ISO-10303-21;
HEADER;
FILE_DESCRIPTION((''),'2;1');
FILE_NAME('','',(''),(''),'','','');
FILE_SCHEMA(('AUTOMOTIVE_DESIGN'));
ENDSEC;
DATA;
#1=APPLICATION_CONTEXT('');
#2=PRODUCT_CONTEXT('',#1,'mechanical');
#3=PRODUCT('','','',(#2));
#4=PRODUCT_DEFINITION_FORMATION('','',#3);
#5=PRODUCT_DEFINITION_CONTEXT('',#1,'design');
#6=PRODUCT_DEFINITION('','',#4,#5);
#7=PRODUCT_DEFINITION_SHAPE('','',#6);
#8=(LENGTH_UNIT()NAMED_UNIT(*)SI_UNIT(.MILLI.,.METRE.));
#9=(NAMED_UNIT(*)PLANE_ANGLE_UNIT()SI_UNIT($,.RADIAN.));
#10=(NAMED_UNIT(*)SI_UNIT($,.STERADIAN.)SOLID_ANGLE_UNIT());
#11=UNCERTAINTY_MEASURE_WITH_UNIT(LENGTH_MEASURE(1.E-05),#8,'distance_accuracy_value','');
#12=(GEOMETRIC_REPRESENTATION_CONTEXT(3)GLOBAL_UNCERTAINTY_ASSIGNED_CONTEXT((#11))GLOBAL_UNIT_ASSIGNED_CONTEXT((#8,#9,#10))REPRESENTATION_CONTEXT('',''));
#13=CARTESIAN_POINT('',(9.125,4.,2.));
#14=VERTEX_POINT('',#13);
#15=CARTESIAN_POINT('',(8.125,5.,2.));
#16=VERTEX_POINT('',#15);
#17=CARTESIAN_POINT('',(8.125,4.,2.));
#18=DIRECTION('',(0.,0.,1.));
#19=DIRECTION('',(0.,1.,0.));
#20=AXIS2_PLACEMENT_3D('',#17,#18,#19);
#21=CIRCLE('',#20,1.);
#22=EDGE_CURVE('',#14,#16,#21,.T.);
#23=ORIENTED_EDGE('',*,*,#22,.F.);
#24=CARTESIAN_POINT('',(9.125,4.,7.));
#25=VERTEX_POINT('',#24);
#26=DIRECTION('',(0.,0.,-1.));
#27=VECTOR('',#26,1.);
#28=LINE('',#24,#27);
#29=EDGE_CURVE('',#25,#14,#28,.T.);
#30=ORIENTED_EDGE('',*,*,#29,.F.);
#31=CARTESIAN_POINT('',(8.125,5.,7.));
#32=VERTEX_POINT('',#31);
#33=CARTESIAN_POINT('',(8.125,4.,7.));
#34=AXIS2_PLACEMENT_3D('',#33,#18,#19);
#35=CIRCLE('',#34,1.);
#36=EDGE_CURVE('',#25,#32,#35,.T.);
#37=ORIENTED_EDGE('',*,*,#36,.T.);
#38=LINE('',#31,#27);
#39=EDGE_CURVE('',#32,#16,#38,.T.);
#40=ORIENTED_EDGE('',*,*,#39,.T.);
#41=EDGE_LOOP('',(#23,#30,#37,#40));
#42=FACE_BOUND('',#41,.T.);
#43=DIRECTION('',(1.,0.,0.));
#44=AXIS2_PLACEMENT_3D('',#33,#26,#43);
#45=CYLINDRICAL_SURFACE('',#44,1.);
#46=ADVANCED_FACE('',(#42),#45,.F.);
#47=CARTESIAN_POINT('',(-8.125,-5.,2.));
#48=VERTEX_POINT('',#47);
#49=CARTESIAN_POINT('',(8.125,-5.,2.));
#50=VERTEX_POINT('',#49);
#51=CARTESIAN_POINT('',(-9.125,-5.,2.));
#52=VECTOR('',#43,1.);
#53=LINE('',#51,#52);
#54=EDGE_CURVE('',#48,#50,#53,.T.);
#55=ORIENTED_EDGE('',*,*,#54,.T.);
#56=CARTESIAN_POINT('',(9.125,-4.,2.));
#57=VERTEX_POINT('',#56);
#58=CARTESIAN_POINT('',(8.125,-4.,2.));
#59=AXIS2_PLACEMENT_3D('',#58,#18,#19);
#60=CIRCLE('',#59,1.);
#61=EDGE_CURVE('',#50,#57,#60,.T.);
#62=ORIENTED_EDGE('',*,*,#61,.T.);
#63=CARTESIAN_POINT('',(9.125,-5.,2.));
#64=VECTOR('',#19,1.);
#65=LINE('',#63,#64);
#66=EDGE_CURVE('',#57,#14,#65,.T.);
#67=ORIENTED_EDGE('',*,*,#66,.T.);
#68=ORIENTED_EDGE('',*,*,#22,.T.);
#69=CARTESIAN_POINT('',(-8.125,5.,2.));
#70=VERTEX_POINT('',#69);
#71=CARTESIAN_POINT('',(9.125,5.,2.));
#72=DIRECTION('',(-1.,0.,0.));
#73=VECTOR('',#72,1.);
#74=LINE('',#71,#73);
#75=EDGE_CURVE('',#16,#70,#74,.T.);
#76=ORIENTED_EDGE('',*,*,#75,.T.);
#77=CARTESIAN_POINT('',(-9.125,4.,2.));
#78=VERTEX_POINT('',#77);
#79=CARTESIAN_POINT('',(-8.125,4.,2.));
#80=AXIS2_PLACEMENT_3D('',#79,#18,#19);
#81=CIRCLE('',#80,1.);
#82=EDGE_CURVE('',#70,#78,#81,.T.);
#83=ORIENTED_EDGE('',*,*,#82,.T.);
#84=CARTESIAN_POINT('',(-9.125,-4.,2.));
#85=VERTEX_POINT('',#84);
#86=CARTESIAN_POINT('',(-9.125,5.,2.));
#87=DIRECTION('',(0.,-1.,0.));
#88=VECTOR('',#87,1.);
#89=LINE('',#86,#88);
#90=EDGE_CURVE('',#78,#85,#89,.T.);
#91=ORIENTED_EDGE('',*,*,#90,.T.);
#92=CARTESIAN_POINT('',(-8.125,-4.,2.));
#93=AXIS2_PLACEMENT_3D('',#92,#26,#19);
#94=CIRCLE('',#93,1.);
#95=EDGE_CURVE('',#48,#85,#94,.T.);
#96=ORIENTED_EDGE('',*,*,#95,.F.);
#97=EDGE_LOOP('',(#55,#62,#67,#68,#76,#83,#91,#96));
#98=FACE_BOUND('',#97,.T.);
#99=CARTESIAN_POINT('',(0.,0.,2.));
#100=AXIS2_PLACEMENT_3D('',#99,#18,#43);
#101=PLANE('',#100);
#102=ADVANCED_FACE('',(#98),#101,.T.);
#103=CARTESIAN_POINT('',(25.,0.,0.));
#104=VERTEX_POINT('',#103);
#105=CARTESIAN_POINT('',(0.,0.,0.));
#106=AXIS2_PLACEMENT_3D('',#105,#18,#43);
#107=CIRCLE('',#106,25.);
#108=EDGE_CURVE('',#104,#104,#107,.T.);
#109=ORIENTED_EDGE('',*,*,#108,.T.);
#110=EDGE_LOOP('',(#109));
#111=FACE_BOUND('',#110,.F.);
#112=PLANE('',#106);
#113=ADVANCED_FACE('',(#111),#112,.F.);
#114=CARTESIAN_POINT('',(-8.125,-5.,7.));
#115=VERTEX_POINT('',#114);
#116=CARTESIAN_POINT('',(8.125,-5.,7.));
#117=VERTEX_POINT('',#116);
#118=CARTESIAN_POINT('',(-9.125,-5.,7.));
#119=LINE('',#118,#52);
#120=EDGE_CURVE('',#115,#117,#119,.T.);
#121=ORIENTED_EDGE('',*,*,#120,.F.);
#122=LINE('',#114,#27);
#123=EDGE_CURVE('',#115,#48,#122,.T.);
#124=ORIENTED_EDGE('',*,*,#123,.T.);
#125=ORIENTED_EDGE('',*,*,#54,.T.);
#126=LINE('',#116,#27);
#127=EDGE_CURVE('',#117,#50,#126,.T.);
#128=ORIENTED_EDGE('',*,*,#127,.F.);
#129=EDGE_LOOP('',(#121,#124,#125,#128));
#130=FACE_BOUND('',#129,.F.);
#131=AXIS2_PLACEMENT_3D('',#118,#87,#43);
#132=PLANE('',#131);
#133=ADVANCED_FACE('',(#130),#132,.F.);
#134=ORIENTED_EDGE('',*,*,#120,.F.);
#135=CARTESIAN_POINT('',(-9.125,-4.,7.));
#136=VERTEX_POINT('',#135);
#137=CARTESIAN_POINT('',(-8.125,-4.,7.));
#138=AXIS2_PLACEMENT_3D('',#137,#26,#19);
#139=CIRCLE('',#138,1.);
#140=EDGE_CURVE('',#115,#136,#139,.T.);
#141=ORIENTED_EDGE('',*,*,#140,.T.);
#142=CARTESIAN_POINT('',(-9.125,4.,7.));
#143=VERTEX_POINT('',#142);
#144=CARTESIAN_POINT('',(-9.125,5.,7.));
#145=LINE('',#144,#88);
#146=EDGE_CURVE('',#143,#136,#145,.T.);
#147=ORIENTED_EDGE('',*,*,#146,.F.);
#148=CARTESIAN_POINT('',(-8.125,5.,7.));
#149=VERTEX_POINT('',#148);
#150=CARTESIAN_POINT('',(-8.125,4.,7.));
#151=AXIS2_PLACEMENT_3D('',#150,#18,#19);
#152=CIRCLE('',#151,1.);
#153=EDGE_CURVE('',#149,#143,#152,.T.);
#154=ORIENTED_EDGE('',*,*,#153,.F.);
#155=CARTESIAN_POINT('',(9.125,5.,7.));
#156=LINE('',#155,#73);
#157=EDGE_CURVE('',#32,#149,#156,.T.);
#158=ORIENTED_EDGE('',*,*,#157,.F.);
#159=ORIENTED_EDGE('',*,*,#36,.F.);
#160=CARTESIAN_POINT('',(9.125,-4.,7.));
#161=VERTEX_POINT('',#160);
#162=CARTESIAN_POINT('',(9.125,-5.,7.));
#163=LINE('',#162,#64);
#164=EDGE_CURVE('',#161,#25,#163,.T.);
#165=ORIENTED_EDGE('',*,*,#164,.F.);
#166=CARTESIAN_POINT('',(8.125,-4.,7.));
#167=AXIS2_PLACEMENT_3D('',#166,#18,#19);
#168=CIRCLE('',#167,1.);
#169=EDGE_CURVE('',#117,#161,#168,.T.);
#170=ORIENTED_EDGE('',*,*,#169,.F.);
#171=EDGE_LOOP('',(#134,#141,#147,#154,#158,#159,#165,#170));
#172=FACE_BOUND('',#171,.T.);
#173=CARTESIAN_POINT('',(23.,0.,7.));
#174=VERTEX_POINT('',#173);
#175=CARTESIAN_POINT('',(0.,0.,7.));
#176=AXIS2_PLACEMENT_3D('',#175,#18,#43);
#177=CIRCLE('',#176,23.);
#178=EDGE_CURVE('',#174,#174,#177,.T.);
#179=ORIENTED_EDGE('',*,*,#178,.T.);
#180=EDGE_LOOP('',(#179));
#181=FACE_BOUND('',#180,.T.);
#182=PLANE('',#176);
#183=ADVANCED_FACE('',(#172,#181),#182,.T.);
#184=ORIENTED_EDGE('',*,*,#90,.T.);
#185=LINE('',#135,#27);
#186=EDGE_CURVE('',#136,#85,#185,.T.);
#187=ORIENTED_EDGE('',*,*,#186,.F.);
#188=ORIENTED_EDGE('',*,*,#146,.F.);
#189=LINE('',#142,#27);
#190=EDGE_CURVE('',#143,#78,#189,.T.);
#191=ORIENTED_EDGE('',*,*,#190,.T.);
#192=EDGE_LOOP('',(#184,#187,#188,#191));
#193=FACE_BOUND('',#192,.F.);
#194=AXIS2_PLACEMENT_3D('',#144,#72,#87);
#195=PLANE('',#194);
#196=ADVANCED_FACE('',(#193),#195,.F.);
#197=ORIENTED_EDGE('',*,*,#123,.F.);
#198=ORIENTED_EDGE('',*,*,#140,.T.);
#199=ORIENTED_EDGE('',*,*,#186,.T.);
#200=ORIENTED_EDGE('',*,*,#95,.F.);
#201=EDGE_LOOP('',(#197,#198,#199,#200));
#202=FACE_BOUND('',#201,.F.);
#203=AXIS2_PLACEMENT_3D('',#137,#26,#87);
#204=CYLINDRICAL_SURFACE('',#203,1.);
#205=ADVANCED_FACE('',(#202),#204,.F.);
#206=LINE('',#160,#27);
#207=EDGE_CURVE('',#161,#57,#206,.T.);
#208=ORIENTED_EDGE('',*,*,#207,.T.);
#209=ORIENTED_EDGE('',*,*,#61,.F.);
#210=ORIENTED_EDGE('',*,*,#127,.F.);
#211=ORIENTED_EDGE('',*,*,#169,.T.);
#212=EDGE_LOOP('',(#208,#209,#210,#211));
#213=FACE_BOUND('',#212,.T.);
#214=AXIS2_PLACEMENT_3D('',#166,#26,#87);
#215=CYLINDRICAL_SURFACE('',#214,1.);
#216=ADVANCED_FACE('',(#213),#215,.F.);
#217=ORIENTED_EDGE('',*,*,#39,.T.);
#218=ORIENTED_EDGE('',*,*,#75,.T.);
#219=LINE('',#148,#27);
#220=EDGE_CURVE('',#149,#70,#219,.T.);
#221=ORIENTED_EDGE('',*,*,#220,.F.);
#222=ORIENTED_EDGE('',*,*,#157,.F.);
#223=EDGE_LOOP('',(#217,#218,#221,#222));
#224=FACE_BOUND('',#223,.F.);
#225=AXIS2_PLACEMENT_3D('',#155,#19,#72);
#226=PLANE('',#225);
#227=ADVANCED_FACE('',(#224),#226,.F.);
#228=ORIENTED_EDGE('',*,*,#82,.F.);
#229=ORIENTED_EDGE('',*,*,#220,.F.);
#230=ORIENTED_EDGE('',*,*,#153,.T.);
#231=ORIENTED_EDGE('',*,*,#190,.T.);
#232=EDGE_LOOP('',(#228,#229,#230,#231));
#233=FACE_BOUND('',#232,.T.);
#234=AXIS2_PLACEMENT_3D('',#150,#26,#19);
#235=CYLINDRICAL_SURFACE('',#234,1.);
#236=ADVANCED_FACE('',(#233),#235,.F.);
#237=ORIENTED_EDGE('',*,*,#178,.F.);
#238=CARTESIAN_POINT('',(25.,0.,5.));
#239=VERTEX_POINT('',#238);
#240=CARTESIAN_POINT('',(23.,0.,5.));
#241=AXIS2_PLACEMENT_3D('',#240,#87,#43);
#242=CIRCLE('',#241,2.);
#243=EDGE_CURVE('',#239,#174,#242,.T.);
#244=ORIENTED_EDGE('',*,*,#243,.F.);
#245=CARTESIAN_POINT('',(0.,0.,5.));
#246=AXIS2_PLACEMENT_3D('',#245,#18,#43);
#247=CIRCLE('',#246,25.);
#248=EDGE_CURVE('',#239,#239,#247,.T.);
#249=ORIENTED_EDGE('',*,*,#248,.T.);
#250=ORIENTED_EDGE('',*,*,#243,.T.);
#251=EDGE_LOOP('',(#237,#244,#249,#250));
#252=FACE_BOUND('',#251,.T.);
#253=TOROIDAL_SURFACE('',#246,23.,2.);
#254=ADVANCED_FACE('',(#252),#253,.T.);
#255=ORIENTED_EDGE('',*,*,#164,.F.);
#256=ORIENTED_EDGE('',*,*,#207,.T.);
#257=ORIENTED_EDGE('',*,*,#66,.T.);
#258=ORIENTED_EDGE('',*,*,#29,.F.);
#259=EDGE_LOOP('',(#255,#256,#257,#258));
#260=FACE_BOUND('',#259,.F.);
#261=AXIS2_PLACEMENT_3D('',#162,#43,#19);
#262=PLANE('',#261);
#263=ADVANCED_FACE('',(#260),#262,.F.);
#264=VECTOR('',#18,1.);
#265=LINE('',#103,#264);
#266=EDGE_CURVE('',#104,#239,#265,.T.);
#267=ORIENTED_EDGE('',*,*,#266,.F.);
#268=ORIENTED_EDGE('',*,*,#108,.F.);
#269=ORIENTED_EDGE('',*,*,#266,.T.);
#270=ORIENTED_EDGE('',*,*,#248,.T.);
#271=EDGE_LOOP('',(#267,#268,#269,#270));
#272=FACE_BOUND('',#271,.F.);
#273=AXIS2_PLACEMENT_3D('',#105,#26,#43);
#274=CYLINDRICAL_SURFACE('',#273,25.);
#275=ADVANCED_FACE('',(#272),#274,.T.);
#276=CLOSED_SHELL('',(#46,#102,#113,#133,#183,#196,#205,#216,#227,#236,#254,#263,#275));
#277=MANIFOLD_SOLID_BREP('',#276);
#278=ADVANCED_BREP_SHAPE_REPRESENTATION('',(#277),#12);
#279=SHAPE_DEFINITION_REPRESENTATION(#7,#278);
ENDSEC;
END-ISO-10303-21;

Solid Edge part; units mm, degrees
sketch "Sketch1" plane through (0, 0, 0) normal (0, 0, 1) x (1, 0, 0)
  circle A0 centre (0, 0) radius 25
  dimension "D1" = 50
extrude "Protrusion1" add sketch "Sketch1" along normal blind 7
sketch "Sketch2" plane through (0, 0, 7) normal (0, 0, 1) x (1, 0, 0)
  line L0 (-9.125, -5) -> (9.125, -5)
  line L1 (9.125, -5) -> (9.125, 5)
  line L2 (9.125, 5) -> (-9.125, 5)
  line L3 (-9.125, 5) -> (-9.125, -5)
  dimension "D1" = 18.25
  dimension "D2" = 10
extrude "Utskärning_för_pelare" cut sketch "Sketch2" against normal blind 5
fillet "Avrundning_utsida" radius 2 1 edges at (-25, 0, 7)
fillet "Avrundning_insida" radius 1 4 edges at (-9.125, 5, 4.5) (9.125, 5, 4.5) (-9.125, -5, 4.5) (9.125, -5, 4.5)
